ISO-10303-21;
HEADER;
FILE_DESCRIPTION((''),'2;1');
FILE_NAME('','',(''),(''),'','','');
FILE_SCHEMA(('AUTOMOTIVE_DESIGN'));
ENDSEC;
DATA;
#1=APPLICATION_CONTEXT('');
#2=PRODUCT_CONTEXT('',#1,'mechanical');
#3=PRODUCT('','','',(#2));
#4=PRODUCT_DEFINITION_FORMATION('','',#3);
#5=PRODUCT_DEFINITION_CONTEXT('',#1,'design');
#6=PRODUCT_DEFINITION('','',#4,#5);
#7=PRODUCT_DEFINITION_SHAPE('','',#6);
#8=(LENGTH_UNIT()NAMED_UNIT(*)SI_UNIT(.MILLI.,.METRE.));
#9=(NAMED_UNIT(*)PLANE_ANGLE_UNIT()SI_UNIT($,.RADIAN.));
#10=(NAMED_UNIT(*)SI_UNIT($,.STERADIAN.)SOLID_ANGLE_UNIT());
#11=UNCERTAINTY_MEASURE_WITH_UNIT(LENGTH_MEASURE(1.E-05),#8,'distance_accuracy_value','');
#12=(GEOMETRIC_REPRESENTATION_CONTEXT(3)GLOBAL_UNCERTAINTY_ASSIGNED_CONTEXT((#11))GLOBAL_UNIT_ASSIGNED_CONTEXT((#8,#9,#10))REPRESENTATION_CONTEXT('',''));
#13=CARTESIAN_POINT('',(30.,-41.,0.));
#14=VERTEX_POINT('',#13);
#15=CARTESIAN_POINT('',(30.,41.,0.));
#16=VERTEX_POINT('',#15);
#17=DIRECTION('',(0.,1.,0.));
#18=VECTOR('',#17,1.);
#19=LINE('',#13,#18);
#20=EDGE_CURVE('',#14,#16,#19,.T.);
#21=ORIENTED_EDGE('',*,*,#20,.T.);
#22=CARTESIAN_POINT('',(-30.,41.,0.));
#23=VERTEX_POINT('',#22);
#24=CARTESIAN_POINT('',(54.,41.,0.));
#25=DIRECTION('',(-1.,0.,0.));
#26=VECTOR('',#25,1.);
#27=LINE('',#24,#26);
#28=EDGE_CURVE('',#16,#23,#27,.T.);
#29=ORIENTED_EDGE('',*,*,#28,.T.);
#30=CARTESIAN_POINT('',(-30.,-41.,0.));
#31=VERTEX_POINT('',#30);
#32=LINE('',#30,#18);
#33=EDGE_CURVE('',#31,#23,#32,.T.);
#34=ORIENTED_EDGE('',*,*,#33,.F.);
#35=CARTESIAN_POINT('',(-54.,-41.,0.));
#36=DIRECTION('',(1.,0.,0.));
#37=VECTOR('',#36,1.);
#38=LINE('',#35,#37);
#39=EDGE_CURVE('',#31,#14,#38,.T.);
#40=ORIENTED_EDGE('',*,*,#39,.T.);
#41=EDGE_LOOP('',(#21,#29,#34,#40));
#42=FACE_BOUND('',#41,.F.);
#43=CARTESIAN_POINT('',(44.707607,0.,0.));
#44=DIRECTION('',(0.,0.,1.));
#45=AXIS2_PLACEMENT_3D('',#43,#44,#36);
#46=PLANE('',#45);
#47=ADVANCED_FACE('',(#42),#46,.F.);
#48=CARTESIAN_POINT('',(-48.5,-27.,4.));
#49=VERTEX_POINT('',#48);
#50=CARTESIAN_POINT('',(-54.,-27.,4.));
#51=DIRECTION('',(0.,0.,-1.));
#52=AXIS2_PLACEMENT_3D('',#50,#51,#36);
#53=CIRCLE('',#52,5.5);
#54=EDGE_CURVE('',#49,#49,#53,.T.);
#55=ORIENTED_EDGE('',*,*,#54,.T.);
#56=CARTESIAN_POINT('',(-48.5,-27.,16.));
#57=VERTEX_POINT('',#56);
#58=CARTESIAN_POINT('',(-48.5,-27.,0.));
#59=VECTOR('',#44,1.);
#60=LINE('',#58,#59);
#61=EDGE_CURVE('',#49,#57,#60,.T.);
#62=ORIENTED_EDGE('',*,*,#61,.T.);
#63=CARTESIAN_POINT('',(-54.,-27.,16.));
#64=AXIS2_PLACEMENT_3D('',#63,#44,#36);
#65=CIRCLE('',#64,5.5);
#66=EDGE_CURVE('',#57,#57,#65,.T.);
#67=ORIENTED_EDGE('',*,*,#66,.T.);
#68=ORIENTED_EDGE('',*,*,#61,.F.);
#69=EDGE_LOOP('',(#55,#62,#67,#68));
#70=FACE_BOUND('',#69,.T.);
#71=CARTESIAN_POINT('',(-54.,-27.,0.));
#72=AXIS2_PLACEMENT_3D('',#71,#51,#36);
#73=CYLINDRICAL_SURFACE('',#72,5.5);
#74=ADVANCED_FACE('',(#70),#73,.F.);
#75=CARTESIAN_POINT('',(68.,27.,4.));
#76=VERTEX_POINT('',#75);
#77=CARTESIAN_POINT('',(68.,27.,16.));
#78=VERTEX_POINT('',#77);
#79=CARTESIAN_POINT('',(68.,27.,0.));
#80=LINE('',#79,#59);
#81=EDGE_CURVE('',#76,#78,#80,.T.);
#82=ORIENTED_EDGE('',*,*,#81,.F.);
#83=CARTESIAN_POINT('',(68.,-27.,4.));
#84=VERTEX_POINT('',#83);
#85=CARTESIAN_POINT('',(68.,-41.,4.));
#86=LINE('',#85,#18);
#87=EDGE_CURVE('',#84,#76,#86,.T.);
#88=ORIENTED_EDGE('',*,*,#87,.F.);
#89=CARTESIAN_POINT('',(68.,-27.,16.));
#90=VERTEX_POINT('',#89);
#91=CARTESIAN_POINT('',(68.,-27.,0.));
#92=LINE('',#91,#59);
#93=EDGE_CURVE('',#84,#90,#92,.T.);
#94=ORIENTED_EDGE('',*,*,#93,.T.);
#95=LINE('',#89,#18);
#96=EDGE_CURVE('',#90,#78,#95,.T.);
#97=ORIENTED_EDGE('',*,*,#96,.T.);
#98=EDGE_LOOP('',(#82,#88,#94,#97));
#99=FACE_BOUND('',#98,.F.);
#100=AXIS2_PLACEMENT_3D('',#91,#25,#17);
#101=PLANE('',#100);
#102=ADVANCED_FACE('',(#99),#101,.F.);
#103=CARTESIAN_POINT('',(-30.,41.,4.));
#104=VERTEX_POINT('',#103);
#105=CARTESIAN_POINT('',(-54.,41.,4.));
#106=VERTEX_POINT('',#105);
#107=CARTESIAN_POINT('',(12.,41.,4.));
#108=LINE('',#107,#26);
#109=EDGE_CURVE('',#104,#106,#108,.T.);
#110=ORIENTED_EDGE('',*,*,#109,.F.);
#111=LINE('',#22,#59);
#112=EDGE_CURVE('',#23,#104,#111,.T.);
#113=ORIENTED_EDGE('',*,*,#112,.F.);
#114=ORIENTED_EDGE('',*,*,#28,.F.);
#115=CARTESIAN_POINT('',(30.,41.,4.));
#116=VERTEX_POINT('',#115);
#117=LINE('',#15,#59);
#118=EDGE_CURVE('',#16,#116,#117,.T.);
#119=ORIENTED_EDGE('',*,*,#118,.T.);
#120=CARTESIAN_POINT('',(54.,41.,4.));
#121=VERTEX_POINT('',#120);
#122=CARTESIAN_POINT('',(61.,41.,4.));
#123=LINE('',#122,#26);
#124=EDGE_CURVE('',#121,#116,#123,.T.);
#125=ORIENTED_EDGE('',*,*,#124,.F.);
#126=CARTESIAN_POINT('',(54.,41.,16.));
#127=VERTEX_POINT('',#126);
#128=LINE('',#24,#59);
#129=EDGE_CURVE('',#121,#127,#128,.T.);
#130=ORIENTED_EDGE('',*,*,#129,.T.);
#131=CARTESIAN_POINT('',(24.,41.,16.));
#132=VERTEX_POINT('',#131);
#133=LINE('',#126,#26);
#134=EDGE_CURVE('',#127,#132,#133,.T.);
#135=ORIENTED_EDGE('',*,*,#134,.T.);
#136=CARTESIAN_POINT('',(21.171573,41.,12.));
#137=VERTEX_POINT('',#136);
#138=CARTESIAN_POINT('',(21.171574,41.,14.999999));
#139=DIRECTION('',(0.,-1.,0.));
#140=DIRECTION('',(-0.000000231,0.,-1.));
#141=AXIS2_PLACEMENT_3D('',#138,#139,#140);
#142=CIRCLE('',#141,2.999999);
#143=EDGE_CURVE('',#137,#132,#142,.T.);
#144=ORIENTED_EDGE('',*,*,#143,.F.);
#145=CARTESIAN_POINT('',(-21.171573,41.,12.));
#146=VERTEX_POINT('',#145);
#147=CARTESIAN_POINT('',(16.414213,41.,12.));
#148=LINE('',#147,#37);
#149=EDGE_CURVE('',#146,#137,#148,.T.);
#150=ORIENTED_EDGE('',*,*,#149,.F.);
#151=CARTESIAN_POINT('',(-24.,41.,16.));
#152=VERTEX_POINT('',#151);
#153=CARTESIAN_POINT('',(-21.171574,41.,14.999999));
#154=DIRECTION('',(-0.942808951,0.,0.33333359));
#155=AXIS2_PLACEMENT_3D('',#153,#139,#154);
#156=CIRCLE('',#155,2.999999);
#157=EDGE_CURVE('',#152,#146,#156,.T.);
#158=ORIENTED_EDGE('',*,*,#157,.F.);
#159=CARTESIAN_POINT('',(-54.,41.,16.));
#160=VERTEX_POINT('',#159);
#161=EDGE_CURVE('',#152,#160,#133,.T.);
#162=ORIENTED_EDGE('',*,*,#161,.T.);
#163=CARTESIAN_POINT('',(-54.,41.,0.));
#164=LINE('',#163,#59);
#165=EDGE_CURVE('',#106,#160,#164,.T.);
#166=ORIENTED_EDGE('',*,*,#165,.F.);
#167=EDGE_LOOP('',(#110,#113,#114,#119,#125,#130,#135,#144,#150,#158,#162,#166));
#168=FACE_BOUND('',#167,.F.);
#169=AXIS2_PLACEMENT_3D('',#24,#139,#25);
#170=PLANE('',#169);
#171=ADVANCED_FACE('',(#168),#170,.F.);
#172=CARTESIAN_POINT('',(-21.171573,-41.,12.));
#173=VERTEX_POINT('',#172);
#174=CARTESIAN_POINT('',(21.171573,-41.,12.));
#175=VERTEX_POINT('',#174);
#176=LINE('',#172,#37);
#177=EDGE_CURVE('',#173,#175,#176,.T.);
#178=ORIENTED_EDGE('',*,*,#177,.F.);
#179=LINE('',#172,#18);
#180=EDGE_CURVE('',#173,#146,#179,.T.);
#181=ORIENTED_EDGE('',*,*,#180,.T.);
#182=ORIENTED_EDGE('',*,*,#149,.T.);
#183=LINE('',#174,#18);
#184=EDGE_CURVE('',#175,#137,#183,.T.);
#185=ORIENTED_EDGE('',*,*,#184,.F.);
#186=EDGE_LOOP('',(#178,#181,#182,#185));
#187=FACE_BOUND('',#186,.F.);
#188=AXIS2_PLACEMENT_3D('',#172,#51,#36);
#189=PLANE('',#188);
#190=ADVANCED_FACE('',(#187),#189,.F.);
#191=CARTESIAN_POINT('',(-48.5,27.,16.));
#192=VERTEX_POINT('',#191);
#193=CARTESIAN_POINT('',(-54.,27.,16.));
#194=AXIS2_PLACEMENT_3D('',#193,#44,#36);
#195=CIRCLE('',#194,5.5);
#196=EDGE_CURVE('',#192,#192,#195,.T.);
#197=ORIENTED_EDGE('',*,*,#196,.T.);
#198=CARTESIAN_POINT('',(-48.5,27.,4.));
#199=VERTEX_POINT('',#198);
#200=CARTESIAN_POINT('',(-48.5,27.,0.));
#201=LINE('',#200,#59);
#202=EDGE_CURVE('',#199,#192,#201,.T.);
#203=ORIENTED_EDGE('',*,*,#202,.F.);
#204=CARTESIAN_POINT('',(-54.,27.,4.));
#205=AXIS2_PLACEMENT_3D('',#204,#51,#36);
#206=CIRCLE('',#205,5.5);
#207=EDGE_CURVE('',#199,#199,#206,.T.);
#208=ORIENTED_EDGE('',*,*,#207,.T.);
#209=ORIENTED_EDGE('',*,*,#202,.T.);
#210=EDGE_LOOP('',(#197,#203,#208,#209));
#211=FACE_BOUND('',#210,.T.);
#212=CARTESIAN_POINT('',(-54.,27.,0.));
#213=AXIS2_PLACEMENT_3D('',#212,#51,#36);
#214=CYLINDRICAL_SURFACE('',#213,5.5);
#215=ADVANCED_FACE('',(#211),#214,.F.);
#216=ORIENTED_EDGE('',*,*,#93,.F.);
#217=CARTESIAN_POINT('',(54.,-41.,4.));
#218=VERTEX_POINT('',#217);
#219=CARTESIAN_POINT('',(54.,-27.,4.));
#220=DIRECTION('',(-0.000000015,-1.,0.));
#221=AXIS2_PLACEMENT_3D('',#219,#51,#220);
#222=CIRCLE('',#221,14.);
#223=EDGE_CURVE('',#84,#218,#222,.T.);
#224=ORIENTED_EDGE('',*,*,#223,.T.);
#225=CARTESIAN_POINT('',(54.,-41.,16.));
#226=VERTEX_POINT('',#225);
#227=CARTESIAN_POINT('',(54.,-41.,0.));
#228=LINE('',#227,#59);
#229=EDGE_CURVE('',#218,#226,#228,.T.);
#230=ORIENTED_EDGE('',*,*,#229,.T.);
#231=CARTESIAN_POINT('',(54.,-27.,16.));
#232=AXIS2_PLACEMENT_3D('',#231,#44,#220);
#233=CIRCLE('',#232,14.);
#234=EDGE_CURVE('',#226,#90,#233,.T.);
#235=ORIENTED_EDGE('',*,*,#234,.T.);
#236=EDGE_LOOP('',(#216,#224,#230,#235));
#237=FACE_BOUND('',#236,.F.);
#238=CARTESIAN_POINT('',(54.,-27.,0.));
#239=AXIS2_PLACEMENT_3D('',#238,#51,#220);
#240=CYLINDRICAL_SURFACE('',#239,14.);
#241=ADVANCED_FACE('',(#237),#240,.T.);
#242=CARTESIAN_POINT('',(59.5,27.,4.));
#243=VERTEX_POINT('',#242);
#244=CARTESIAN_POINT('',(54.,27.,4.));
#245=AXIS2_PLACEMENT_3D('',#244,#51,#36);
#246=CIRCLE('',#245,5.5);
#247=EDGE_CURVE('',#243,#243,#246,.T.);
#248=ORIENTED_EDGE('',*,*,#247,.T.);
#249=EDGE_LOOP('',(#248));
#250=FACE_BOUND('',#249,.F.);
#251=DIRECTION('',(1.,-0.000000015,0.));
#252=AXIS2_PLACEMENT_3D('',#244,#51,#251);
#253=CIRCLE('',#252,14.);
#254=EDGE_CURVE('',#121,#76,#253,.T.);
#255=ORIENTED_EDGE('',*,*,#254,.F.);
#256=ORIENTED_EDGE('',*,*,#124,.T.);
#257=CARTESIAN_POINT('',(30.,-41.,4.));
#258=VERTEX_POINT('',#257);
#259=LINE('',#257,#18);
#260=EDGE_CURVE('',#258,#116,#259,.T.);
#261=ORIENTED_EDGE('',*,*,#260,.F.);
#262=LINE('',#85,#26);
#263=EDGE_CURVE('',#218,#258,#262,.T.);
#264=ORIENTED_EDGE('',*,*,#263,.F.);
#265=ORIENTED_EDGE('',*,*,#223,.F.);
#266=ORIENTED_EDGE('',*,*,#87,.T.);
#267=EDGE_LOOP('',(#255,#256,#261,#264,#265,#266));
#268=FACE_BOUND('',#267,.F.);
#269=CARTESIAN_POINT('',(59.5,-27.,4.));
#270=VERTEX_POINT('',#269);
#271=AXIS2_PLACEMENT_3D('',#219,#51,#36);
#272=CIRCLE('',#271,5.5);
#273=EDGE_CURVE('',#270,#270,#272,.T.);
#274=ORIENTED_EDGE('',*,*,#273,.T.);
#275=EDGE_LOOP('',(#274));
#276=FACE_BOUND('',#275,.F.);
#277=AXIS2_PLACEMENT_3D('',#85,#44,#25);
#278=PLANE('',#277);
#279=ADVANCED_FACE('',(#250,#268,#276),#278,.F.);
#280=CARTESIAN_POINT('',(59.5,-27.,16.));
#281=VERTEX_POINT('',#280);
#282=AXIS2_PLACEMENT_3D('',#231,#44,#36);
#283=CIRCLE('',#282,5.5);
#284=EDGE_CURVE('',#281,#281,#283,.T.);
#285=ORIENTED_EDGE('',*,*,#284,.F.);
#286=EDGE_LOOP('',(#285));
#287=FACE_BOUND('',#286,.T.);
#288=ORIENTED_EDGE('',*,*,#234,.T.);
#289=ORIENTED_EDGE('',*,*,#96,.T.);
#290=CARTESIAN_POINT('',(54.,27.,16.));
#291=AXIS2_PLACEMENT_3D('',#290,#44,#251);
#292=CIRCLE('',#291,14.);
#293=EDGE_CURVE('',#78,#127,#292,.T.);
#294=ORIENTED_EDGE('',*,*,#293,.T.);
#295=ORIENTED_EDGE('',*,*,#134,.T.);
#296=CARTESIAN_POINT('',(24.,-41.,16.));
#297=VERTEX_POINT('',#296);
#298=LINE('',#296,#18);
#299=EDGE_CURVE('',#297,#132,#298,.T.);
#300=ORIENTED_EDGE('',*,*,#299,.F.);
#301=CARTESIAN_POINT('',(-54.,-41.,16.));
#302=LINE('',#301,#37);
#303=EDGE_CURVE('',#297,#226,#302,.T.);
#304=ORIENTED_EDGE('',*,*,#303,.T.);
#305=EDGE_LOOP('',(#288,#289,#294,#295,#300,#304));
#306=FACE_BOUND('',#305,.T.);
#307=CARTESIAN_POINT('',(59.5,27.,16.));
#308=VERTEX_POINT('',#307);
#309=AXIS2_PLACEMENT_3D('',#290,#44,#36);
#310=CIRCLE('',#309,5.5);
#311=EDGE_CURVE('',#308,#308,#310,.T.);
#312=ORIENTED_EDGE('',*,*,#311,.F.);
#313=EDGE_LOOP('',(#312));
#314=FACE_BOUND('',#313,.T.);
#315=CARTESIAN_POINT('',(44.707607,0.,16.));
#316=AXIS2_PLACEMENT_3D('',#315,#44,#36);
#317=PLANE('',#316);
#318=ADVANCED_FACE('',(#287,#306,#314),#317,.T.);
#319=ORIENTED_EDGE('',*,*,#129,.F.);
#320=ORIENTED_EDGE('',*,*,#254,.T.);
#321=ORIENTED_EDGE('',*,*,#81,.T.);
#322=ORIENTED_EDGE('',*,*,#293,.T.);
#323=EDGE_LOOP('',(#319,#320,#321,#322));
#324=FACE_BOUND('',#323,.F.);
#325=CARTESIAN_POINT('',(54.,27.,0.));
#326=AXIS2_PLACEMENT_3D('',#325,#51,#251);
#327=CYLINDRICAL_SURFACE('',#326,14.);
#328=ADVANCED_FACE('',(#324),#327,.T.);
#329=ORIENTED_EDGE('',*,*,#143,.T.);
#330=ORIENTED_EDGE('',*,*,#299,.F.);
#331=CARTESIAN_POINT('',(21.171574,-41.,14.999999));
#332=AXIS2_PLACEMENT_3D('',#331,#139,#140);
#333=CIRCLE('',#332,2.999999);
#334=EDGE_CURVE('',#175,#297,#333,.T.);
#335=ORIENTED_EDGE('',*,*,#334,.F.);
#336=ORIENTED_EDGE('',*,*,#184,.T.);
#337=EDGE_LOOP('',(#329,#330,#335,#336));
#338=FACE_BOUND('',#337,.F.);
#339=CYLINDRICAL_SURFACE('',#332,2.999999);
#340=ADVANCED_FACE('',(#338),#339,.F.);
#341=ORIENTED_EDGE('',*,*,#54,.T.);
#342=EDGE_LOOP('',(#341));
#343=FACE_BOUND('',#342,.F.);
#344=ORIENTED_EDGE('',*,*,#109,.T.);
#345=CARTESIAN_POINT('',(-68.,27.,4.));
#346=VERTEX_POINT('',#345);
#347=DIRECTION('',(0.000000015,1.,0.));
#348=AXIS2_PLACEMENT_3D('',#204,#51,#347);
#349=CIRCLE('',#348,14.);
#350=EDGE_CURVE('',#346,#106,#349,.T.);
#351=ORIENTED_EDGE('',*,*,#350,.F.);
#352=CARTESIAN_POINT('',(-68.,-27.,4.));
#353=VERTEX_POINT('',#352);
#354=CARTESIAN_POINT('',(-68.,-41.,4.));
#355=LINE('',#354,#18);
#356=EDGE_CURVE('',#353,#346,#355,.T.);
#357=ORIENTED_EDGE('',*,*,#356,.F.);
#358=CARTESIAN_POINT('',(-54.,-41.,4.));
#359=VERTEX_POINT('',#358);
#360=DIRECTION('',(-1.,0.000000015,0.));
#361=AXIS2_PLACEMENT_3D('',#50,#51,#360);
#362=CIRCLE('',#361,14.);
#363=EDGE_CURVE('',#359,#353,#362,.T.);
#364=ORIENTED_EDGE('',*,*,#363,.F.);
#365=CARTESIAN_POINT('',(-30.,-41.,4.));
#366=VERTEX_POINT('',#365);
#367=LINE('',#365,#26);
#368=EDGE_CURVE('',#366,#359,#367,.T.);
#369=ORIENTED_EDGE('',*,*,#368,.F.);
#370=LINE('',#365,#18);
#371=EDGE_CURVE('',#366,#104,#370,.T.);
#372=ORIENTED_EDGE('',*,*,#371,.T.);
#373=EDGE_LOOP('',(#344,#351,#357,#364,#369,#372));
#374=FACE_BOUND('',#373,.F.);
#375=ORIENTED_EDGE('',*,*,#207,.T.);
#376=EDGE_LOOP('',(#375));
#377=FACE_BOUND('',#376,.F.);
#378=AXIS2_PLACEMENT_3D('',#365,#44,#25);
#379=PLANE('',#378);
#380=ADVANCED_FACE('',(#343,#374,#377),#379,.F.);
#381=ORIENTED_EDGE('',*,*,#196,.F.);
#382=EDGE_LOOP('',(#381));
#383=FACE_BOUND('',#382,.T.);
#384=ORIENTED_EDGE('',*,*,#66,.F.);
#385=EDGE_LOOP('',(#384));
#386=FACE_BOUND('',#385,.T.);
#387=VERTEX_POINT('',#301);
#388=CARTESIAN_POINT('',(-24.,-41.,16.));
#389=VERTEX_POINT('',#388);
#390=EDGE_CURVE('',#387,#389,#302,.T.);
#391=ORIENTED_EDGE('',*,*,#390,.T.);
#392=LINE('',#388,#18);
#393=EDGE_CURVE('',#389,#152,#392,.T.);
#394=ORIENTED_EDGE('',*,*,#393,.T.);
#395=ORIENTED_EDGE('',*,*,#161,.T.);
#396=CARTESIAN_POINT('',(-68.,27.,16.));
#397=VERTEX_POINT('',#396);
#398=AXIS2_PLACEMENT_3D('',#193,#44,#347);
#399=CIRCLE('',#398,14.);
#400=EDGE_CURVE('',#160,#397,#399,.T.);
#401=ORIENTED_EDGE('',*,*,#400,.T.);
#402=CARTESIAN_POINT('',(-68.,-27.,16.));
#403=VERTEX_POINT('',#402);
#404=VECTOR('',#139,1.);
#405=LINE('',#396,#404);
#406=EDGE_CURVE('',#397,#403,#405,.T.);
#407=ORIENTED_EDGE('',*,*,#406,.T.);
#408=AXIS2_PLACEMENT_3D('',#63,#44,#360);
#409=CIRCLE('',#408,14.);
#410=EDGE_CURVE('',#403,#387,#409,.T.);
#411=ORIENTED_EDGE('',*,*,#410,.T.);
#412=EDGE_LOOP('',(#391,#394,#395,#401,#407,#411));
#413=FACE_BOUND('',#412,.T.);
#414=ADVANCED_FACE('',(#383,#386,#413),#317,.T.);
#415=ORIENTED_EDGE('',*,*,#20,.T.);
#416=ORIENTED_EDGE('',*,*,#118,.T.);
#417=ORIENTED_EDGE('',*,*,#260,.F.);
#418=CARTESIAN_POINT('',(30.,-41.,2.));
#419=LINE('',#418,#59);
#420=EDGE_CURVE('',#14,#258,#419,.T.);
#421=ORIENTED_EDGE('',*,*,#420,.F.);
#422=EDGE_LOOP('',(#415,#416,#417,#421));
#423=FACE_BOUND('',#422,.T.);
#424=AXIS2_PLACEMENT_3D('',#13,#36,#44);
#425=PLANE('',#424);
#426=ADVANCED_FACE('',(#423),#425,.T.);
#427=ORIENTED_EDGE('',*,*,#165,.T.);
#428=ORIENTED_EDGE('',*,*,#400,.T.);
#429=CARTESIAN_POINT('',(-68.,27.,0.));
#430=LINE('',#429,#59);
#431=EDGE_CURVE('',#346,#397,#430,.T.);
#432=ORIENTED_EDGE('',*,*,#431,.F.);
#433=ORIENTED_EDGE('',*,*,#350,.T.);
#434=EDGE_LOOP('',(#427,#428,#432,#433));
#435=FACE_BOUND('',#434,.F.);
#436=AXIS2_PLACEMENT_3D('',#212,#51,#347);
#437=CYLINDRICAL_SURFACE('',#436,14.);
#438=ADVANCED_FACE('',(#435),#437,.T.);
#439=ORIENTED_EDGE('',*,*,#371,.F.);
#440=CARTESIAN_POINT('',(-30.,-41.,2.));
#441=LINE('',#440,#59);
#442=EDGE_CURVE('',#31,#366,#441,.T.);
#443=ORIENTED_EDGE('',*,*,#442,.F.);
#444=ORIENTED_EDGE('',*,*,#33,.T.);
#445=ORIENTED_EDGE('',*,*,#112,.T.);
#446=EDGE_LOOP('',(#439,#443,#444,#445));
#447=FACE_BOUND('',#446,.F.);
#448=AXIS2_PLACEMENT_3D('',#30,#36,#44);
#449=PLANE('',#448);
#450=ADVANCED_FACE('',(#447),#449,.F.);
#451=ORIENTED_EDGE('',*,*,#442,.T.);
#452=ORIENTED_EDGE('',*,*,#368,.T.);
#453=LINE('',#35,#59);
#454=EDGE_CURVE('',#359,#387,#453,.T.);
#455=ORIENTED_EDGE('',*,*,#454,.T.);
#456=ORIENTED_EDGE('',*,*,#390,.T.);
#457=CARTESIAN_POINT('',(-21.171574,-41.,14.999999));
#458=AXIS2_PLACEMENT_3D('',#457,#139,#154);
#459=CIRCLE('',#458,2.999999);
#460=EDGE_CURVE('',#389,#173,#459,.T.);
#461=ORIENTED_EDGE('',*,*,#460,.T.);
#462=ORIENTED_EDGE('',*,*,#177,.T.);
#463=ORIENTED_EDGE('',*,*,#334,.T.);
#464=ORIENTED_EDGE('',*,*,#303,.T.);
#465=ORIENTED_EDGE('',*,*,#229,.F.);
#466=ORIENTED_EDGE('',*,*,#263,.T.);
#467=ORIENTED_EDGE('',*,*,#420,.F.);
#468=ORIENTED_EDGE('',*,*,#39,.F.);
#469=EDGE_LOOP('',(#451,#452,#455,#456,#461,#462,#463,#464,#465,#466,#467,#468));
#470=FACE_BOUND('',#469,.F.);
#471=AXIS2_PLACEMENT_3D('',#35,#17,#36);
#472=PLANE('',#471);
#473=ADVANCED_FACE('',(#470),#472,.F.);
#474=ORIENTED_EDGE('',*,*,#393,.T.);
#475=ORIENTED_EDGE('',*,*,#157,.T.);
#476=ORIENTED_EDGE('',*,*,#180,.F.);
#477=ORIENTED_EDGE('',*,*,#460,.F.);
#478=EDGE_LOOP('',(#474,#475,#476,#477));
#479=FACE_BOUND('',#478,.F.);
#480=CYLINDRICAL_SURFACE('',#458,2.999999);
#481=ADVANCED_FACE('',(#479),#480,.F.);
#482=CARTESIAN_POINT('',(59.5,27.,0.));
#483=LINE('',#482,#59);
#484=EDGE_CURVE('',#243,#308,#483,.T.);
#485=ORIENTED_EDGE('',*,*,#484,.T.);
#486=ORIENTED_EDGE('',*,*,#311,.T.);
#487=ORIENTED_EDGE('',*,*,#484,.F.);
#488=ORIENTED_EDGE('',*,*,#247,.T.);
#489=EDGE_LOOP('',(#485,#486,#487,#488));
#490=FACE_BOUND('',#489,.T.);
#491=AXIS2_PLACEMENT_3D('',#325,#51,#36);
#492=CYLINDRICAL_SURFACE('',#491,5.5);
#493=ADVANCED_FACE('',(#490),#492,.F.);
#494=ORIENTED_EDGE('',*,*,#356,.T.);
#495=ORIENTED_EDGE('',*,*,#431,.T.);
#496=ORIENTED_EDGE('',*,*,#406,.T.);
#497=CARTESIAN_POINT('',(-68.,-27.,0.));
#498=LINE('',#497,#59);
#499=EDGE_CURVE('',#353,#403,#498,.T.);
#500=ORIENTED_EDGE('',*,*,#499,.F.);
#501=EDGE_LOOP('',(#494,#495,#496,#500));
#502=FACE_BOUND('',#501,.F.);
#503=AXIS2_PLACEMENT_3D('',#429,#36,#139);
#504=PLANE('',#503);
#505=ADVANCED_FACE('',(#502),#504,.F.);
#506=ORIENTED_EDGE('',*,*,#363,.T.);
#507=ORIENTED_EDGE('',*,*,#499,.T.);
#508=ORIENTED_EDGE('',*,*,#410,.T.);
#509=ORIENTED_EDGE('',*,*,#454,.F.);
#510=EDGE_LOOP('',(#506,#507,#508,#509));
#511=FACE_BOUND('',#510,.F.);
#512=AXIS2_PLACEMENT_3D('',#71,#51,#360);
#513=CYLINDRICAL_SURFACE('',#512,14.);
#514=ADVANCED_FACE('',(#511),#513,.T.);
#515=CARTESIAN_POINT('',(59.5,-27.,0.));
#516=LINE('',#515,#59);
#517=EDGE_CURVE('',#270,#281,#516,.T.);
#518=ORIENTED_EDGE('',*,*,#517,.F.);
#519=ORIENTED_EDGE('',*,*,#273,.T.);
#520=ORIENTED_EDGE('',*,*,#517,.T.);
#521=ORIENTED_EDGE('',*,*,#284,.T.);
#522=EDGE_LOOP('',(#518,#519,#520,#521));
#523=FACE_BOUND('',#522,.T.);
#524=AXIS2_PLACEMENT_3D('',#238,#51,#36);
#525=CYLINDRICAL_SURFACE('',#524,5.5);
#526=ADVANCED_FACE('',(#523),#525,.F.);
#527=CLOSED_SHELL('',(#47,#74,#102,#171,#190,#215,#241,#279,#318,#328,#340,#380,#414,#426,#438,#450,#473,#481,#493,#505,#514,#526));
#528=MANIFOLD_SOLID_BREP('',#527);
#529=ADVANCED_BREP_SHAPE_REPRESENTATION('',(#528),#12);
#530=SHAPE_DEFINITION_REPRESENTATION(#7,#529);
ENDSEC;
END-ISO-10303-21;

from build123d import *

# Parameters (mm, degrees)
F0_R     = 5.5
F0_W     = 48
F0_H     = 82
F1_DEPTH = 16
F2_W     = 14
F2_H     = 4
F2_W_2   = 24
F3_DEPTH = 82.001


with BuildPart() as f1:
    # F0 (on Top) → F1 (new body)
    with BuildSketch(Plane.XY):
        with BuildLine():
            ThreePointArc((68, 27), (63.899495, 36.899495), (54, 41))
            Line((54, 41), (24, 41))
            Line((24, 41), (24, -41))
            Line((24, -41), (54, -41))
            ThreePointArc((54, -41), (63.899495, -36.899495), (68, -27))
            Line((68, -27), (68, 27))
        make_face()
        with Locations((54, -27)):
            Circle(F0_R, mode=Mode.SUBTRACT)
        with Locations((54, 27)):
            Circle(F0_R, mode=Mode.SUBTRACT)
        Rectangle(F0_W, F0_H)
        with BuildLine():
            Line((-24, -41), (-24, 41))
            Line((-24, 41), (-54, 41))
            ThreePointArc((-54, 41), (-63.899495, 36.899495), (-68, 27))
            Line((-68, 27), (-68, -27))
            ThreePointArc((-68, -27), (-63.899495, -36.899495), (-54, -41))
            Line((-54, -41), (-24, -41))
        make_face()
        with Locations((-54, -27)):
            Circle(F0_R, mode=Mode.SUBTRACT)
        with Locations((-54, 27)):
            Circle(F0_R, mode=Mode.SUBTRACT)
    extrude(amount=F1_DEPTH)

    # F2 (on face) → F3 (cut, through all)
    with BuildSketch(Plane.XZ.offset(41)):
        with Locations((-61, 2)):
            Rectangle(F2_W, F2_H)
        with Locations((61, 2)):
            Rectangle(F2_W, F2_H)
        with BuildLine():
            Line((24, 16), (-24, 16))
            ThreePointArc((-24, 16), (-23.621063, 13.267949), (-21.171573, 12))
            Line((-21.171573, 12), (21.171573, 12))
            ThreePointArc((21.171573, 12), (23.621063, 13.267949), (24, 16))
        make_face()
        with Locations((-42, 2)):
            Rectangle(F2_W_2, F2_H)
        with Locations((42, 2)):
            Rectangle(F2_W_2, F2_H)
    extrude(amount=-F3_DEPTH, mode=Mode.SUBTRACT)


solid = f1.part
